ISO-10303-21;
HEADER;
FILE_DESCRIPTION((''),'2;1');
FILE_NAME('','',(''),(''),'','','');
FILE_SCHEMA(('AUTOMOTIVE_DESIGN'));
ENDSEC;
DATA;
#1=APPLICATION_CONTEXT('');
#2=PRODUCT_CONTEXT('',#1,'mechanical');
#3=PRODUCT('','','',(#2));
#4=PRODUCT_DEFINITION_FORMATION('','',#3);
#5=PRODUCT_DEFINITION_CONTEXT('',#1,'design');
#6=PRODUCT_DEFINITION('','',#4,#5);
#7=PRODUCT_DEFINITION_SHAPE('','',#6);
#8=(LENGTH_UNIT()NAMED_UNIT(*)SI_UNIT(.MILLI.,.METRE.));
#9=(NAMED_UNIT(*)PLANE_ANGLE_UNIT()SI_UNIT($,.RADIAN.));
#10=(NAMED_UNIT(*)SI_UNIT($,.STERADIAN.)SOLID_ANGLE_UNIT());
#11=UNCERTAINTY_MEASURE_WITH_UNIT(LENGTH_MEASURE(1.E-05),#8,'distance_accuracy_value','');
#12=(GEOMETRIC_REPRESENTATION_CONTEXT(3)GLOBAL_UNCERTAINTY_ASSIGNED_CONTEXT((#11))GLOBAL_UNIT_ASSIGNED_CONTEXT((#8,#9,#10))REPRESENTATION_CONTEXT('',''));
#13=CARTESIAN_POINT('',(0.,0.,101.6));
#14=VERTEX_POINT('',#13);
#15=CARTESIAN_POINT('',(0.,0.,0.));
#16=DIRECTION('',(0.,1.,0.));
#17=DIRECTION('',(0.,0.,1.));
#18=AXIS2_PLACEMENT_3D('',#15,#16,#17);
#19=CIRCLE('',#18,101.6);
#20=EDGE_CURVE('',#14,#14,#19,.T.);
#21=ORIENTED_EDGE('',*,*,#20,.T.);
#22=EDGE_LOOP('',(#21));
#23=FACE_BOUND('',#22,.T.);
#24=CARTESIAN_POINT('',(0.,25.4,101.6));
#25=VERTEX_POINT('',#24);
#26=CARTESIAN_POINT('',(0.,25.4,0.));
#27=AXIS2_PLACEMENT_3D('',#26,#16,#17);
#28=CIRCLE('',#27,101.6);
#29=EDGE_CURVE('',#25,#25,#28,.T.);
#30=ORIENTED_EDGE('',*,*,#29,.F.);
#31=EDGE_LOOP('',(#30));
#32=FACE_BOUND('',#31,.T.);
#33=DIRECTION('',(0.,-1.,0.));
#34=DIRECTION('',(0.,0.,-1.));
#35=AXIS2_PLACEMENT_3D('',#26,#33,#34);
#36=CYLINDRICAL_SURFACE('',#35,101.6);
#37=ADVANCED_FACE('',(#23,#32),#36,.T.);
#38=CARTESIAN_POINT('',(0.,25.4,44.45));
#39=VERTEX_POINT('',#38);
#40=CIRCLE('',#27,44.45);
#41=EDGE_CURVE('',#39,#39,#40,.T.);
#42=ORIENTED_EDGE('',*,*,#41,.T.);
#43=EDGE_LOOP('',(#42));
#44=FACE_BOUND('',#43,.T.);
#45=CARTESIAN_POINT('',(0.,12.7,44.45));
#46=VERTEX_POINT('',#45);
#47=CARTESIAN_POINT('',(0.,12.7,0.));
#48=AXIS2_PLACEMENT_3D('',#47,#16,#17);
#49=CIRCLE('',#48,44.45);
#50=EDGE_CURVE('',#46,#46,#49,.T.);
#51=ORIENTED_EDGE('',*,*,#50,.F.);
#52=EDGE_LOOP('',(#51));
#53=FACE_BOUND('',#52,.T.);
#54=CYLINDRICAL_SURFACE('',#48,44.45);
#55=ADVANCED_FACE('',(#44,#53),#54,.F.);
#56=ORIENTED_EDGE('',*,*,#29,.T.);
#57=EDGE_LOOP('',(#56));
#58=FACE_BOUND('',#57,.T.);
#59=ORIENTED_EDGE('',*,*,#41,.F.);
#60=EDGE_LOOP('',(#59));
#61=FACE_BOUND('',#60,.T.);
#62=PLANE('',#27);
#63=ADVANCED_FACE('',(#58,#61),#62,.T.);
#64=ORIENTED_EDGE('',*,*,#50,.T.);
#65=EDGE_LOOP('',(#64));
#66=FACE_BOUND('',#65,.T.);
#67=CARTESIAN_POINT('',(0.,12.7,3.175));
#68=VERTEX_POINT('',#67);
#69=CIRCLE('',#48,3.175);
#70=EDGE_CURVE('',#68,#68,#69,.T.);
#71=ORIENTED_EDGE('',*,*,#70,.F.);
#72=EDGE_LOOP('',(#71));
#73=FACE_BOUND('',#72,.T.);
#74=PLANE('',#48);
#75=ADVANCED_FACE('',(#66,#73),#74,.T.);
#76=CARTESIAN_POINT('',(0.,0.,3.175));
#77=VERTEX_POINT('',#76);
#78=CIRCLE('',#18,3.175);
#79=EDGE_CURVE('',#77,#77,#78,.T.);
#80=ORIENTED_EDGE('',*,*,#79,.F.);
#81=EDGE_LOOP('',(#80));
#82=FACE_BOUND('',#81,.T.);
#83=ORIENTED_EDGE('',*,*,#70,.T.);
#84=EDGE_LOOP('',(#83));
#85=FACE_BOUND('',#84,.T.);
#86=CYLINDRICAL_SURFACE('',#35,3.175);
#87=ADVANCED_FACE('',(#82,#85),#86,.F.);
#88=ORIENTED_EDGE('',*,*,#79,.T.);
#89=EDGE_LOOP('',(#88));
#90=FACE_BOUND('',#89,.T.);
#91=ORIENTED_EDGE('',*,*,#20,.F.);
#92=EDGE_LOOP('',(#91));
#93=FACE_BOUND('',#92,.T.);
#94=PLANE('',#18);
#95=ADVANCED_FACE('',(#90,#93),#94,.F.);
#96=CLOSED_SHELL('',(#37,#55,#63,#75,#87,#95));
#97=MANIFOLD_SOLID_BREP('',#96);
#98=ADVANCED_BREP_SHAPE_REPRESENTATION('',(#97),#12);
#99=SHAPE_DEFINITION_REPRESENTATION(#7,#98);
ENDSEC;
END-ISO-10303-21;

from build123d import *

# Parameters (mm, degrees)
SKETCH1_R           = 101.6
SKETCH1_R_2         = 3.175
BOSS_EXTRUDE1_DEPTH = 25.4
SKETCH3_R           = 44.45
CUT_EXTRUDE1_DEPTH  = 12.7


with BuildPart() as part:
    # Sketch1 → Boss-Extrude1 (new body)
    with BuildSketch(Plane(origin=(0, 0, 0), x_dir=(1, 0, 0), z_dir=(0, 1, 0))):
        with Locations(Location((0, 0, 0), (0, 0, 270))):
            Circle(SKETCH1_R)
        with Locations(Location((0, 0, 0), (0, 0, 270))):
            Circle(SKETCH1_R_2, mode=Mode.SUBTRACT)
    extrude(amount=BOSS_EXTRUDE1_DEPTH)

    # Sketch3 → Cut-Extrude1 (cut)
    with BuildSketch(Plane(origin=(0, 25.4, 0), x_dir=(1, 0, 0), z_dir=(0, 1, 0))):
        with Locations(Location((0, 0, 0), (0, 0, 270))):
            Circle(SKETCH3_R)
    extrude(amount=-CUT_EXTRUDE1_DEPTH, mode=Mode.SUBTRACT)


solid = part.part
